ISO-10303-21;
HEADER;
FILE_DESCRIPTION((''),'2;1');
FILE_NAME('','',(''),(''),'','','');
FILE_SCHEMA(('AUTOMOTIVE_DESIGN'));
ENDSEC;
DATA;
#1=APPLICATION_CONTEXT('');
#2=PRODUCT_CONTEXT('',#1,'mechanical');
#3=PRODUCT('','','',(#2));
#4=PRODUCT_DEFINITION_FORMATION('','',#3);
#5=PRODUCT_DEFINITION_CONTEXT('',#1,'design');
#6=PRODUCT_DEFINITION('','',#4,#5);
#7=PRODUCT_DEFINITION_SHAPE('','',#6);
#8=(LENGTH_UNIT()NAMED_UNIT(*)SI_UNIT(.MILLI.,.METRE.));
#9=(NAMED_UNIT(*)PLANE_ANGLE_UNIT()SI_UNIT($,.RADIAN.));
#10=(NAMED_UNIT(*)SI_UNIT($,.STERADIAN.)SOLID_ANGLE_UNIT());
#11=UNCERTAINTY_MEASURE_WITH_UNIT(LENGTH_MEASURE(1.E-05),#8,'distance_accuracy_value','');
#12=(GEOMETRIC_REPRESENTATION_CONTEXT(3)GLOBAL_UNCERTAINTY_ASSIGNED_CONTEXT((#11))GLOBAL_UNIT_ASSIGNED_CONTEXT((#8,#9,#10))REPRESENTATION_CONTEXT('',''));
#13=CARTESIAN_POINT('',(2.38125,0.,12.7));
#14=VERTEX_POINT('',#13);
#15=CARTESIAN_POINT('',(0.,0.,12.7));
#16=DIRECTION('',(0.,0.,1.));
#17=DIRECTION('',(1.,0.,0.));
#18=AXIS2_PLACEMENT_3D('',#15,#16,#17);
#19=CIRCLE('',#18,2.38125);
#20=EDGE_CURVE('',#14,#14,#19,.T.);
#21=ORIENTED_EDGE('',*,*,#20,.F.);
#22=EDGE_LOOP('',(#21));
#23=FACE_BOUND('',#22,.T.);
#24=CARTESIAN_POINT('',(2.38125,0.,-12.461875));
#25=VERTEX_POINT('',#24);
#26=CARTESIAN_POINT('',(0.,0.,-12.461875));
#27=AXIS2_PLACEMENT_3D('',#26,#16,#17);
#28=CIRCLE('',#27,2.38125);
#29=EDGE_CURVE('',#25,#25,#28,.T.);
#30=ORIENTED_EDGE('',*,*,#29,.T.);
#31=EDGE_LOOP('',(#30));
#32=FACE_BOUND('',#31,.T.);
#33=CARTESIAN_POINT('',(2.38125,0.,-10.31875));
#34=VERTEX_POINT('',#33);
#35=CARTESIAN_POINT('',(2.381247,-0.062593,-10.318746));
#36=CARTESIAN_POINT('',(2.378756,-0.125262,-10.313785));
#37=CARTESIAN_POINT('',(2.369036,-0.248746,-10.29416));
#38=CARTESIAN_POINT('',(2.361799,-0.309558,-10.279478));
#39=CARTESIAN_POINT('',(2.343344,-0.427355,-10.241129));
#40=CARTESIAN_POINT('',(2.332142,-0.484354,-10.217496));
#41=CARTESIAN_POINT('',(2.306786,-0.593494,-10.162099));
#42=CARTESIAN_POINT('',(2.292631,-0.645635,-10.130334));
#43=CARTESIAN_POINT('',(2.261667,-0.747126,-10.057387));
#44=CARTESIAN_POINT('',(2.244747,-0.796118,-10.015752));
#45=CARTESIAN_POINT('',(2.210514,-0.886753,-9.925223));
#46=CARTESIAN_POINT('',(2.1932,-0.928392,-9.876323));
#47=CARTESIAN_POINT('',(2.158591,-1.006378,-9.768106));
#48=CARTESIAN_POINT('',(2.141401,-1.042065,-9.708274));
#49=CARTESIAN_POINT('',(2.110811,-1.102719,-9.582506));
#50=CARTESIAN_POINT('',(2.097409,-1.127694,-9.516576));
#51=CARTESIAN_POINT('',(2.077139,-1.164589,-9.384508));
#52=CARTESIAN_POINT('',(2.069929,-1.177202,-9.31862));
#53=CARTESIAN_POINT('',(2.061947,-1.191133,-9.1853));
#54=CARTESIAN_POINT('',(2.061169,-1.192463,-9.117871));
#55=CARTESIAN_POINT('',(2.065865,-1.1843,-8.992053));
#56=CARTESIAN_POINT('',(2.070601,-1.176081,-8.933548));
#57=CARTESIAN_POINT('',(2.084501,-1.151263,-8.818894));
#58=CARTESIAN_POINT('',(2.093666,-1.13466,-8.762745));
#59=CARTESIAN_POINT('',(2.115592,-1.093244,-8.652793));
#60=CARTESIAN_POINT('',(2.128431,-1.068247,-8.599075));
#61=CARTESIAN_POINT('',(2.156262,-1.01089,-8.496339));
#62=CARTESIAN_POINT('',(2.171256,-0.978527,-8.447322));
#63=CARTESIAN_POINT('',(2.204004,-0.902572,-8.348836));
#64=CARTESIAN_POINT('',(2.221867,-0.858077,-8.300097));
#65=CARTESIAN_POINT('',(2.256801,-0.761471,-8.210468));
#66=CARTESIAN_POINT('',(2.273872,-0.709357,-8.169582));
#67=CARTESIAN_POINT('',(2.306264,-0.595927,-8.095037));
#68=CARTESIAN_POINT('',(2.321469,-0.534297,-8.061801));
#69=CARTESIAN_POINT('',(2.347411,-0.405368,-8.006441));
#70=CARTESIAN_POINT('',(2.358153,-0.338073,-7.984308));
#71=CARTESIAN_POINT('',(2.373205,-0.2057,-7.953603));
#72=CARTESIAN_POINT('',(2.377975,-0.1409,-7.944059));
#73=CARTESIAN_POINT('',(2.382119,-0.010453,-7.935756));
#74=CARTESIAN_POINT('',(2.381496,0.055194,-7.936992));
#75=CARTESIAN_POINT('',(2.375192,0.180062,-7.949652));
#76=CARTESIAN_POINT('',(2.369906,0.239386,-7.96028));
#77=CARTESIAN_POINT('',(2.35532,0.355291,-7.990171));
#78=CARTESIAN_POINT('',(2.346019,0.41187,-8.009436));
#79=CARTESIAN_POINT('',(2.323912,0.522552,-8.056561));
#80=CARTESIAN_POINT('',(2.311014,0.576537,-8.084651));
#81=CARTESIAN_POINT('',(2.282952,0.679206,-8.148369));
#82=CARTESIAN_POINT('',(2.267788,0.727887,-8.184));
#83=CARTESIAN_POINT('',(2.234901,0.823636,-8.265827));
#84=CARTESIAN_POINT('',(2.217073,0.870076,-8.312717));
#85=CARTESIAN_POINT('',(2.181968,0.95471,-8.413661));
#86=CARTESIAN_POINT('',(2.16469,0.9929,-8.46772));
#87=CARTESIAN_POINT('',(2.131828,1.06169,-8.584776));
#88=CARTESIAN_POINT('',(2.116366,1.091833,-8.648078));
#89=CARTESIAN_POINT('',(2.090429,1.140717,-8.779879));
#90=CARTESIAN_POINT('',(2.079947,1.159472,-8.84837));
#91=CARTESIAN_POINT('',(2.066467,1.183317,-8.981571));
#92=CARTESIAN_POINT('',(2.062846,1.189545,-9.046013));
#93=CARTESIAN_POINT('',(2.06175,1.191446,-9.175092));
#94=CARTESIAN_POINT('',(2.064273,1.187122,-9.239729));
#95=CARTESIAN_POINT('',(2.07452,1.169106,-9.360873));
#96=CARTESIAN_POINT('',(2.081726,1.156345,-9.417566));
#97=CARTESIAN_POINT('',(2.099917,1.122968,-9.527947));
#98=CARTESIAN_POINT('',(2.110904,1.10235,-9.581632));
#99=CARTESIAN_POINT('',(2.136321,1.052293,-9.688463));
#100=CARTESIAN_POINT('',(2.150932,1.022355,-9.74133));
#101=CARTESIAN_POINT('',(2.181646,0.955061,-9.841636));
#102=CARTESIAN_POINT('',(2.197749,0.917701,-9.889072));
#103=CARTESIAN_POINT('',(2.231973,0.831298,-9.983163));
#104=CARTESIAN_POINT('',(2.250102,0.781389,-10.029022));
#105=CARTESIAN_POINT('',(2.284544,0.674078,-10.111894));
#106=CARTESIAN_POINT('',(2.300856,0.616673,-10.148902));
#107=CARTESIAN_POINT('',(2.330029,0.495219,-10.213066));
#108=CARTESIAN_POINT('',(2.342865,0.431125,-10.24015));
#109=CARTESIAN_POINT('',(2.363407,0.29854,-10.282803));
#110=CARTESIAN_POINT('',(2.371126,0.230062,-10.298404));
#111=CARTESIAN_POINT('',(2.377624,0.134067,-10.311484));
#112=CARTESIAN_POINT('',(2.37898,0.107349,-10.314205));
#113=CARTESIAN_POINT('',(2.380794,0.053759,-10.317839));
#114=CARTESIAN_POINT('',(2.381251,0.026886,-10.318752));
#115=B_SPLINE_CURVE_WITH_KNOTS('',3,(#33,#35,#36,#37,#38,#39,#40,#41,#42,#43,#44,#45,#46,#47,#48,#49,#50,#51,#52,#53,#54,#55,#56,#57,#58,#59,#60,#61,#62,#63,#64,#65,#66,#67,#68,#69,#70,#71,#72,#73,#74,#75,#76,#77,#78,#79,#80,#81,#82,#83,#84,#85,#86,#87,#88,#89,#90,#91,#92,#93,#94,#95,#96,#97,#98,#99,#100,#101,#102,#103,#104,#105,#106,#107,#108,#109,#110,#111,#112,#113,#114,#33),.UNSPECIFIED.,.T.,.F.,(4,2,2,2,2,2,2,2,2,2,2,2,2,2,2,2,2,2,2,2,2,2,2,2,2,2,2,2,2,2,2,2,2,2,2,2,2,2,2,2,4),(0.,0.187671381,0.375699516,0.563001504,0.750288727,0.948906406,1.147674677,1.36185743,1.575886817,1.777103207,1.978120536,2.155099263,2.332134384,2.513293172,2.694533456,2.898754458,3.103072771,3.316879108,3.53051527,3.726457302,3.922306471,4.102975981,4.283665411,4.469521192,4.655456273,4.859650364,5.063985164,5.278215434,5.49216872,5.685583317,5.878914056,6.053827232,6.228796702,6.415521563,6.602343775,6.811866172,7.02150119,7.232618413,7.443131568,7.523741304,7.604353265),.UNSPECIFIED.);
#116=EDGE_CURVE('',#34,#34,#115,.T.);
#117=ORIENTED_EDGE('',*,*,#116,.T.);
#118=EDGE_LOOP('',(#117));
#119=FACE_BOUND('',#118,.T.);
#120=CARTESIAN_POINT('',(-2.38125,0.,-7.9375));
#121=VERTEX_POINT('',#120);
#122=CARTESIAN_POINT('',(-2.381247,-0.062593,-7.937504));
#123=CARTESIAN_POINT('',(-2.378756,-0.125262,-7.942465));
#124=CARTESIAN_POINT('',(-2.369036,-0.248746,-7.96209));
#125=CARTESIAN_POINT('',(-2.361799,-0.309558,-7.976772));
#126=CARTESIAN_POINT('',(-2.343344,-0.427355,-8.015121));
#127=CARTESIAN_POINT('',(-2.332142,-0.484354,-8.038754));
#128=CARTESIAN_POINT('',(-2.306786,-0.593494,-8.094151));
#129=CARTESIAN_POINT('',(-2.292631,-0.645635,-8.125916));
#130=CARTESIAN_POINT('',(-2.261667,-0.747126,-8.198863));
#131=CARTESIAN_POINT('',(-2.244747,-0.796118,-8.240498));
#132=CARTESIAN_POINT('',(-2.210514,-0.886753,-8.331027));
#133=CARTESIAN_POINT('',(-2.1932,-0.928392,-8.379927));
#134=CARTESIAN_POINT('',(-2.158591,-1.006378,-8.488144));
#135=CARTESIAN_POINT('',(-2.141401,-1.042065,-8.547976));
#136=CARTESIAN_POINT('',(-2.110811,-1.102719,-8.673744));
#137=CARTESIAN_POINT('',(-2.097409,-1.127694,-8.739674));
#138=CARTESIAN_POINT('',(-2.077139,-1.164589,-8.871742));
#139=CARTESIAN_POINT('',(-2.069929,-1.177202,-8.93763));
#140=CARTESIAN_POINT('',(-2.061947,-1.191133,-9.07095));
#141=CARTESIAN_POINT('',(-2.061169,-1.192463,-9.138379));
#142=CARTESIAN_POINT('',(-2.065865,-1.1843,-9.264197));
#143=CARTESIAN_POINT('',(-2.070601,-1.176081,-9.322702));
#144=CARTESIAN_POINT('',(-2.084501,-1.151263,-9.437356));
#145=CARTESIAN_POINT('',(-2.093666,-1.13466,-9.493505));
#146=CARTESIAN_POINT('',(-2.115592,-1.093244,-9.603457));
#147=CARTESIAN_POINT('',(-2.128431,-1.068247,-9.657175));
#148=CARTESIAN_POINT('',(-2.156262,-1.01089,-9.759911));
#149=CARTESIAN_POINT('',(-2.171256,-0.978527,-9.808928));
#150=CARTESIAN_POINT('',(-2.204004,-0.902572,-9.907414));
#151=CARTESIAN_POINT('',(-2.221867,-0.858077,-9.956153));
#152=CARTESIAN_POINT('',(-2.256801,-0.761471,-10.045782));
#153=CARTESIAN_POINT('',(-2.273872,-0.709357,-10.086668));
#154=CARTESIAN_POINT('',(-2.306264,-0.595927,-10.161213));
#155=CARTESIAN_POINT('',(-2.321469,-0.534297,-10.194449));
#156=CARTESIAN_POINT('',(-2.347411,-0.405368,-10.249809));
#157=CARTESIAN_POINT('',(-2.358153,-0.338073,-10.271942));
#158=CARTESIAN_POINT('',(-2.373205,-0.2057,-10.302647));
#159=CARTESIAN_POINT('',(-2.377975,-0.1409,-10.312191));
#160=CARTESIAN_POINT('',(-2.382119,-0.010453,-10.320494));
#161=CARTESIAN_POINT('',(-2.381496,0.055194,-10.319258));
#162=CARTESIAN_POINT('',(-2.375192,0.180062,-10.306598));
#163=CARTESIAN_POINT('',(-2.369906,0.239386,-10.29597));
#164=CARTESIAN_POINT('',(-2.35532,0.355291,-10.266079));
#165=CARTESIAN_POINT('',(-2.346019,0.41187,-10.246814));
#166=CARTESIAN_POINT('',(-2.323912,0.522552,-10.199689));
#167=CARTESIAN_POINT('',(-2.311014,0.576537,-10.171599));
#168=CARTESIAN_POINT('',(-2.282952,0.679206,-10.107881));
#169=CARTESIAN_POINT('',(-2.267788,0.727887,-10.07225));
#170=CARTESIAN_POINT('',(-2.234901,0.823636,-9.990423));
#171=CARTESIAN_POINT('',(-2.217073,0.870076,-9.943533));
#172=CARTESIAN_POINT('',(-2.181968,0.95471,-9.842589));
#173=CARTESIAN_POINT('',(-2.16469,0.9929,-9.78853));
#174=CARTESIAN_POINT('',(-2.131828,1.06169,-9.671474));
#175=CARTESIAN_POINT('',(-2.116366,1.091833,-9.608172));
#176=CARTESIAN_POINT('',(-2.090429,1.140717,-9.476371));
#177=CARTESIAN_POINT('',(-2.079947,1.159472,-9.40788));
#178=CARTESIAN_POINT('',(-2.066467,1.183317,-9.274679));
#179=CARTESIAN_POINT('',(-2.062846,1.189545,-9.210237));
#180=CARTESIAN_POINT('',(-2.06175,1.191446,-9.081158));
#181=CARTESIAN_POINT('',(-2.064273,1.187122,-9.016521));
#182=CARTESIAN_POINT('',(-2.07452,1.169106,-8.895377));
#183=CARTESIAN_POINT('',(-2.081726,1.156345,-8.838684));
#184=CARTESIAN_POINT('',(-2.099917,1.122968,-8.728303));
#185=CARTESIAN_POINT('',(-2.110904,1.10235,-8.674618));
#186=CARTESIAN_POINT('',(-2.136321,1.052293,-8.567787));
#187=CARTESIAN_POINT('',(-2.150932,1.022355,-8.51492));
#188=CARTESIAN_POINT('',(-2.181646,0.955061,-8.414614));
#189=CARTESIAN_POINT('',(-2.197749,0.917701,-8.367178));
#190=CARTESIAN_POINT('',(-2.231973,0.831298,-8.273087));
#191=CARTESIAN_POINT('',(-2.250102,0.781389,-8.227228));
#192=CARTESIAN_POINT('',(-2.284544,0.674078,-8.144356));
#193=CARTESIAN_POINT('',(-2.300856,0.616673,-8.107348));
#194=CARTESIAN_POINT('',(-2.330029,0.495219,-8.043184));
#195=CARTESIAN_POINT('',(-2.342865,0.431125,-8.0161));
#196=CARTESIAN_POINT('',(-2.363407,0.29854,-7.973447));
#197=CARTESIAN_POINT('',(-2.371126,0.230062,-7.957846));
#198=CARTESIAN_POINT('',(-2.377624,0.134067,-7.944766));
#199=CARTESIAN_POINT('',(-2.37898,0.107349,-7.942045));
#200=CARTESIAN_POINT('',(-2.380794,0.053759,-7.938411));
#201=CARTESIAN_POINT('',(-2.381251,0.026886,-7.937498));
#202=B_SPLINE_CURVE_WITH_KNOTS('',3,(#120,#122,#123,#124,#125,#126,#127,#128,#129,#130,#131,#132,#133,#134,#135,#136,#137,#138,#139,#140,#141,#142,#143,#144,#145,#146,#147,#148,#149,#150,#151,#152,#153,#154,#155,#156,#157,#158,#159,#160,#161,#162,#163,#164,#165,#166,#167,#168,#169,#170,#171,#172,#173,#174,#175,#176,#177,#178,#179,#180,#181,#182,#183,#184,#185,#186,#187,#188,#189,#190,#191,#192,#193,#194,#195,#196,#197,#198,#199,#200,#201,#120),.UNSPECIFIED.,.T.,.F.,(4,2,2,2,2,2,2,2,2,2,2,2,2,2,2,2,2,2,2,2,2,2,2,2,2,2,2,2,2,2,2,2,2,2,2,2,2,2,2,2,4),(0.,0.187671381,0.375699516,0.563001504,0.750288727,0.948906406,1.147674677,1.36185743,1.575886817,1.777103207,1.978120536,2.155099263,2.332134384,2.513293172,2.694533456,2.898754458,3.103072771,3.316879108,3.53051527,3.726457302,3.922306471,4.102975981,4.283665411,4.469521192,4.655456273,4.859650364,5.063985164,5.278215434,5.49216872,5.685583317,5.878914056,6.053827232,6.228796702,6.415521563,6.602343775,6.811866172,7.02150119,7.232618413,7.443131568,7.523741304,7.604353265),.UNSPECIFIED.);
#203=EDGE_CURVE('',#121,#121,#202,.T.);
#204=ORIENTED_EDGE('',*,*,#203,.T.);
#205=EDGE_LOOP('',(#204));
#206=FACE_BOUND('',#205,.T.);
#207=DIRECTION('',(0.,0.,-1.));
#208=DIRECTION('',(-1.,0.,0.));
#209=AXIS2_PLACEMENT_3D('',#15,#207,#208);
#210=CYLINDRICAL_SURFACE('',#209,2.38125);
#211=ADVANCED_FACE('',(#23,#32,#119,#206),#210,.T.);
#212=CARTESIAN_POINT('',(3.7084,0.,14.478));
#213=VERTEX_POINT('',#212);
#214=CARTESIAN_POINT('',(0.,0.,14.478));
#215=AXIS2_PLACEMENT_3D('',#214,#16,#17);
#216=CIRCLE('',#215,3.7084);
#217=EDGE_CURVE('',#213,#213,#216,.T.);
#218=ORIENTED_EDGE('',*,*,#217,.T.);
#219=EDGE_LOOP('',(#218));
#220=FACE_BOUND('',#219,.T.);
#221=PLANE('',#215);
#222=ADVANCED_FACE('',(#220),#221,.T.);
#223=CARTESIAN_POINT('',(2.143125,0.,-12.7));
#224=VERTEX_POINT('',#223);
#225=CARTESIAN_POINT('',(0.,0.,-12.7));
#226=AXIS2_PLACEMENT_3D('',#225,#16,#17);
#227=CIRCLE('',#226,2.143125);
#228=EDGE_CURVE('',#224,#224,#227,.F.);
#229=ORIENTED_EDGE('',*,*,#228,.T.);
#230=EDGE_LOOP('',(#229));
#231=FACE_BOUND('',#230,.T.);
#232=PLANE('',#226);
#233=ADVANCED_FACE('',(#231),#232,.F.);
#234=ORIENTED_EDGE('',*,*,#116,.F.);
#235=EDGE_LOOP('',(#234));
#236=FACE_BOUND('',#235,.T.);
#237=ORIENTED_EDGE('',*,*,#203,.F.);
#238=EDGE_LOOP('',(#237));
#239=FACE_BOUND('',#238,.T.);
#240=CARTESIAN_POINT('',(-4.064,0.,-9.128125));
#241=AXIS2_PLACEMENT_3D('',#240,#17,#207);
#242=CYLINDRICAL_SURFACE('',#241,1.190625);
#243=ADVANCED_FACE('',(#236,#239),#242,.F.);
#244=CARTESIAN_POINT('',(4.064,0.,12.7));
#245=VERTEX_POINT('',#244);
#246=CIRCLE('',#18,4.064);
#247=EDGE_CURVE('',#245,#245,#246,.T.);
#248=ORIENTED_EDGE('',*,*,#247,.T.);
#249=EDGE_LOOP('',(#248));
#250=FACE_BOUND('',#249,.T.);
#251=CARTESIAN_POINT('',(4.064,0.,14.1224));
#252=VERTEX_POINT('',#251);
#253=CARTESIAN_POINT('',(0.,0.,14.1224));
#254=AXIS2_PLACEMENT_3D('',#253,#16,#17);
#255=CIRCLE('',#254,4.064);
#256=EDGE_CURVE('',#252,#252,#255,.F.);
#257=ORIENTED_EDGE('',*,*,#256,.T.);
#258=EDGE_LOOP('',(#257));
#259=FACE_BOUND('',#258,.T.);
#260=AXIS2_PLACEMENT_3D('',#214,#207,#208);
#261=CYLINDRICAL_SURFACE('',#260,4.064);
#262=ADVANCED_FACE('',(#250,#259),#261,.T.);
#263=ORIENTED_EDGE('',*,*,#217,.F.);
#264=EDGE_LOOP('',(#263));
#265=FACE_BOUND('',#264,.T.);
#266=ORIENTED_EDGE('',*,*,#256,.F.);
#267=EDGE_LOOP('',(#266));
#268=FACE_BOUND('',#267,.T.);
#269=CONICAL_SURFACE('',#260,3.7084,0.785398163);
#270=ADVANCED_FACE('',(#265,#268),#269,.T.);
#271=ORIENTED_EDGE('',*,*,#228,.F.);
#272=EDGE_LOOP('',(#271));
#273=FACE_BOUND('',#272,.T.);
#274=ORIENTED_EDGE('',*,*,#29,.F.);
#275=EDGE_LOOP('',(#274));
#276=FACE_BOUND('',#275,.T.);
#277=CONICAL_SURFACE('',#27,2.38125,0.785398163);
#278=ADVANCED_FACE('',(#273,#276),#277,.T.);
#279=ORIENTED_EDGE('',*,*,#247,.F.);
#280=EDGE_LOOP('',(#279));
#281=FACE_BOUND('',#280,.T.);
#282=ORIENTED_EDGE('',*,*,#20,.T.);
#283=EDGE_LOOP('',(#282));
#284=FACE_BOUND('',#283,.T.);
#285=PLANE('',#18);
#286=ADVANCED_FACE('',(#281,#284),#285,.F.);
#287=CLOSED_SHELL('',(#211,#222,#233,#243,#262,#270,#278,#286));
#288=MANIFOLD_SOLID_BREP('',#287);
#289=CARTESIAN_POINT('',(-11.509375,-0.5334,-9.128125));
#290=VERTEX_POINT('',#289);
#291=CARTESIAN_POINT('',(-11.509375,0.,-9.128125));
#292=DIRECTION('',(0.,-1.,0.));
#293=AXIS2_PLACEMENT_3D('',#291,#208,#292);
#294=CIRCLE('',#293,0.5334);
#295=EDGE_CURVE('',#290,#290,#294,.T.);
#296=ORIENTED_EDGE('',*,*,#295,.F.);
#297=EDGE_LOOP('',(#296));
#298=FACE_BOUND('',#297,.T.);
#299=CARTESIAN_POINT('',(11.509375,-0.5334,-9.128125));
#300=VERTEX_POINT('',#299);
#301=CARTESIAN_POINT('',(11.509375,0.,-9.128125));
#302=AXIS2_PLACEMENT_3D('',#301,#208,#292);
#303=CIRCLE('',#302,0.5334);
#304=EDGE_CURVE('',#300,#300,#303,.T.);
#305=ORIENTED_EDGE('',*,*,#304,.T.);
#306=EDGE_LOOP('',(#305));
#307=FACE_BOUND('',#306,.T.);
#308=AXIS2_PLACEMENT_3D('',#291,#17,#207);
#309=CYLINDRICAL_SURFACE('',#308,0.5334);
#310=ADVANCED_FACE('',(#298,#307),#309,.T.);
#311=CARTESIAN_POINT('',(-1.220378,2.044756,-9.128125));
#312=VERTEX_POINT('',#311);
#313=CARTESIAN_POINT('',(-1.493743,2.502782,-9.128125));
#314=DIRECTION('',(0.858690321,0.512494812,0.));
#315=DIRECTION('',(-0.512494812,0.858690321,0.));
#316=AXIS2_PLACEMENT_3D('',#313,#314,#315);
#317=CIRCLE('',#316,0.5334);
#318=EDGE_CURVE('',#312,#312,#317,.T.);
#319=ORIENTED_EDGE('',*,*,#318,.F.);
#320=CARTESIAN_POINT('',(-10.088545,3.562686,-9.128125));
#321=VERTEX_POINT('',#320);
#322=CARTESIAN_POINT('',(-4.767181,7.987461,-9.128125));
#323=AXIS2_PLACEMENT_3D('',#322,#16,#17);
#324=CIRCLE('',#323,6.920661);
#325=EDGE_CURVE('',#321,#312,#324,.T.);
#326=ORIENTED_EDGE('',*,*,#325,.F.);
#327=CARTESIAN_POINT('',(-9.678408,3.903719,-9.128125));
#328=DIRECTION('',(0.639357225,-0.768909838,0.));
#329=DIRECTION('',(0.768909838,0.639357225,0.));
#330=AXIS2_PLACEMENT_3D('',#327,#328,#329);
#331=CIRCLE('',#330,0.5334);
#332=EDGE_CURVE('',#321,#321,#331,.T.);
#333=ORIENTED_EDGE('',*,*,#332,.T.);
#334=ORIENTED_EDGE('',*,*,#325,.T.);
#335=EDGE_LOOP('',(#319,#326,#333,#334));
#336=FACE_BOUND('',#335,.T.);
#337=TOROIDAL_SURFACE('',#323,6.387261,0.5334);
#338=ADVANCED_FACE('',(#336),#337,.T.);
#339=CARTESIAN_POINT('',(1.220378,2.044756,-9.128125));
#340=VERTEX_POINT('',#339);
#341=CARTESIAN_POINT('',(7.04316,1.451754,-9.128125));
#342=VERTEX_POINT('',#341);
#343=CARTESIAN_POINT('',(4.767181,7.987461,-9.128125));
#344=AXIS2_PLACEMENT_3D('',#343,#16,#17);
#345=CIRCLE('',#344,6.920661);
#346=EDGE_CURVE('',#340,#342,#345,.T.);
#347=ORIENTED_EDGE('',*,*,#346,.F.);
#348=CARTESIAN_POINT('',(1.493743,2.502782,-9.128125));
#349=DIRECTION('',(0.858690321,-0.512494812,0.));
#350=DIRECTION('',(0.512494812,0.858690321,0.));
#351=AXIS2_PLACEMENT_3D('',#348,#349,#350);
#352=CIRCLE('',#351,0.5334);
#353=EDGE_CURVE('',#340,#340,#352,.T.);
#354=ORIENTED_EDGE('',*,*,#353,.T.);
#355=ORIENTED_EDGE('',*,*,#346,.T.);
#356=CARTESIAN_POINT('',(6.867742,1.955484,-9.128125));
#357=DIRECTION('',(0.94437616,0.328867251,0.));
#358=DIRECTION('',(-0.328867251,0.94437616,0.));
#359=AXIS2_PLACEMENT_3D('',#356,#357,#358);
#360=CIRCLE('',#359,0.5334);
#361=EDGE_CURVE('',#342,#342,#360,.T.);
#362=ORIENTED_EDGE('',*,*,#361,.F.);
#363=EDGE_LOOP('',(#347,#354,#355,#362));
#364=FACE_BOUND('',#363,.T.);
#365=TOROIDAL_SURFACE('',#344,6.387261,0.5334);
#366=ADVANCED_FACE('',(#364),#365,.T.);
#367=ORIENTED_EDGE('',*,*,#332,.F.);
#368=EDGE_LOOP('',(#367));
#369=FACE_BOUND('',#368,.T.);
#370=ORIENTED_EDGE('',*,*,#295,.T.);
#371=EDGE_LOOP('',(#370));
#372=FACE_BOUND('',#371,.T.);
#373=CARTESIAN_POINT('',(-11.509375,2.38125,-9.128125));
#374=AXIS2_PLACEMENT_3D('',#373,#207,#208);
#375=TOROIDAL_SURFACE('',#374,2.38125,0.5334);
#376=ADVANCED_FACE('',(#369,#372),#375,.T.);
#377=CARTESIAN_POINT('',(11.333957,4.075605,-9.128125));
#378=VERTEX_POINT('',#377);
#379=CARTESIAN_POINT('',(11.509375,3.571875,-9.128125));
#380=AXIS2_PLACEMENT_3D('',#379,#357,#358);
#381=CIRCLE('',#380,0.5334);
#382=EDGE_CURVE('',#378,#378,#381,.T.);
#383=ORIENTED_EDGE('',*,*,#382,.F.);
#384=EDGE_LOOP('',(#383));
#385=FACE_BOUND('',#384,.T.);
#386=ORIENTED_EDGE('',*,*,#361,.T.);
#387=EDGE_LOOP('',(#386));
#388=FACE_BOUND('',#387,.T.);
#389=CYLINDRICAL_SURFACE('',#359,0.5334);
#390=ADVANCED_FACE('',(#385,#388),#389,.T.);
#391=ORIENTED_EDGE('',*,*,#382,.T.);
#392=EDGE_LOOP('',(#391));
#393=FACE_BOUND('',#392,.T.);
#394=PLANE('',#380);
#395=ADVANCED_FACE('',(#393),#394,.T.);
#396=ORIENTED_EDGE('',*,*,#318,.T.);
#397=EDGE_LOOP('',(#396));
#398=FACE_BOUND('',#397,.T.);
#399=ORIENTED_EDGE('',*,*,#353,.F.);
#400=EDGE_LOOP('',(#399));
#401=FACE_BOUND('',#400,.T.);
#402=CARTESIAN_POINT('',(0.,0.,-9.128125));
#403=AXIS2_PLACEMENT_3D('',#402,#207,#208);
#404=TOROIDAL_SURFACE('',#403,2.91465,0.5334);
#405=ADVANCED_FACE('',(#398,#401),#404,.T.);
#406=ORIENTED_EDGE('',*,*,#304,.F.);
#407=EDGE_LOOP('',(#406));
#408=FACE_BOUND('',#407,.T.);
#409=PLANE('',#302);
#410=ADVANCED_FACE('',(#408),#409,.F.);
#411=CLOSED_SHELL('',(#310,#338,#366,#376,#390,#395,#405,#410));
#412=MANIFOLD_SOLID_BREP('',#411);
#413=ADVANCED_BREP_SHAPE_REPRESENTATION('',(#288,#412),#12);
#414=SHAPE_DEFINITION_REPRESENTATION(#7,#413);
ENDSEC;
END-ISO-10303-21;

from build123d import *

# Parameters (mm, degrees)
SKETCH1_R           = 2.38125
EXTRUDE1_DEPTH      = 12.7
SKETCH2_R           = 4.064
EXTRUDE2_DEPTH      = 1.778
CHAMFER1_SIZE       = 0.3556
SKETCH3_R           = 1.190625
EXTRUDE3_DEPTH      = 5.064
EXTRUDE3_DEPTH_BACK = 5.064
CHAMFER2_SIZE       = 0.238125
SKETCH7_R           = 0.5334


with BuildPart() as part:
    # Sketch1 → Extrude1 (new body, symmetric)
    with BuildSketch(Plane.XY):
        Circle(SKETCH1_R)
    extrude(amount=EXTRUDE1_DEPTH, both=True)

    # Sketch2 → Extrude2 (add)
    with BuildSketch(Plane.XY.offset(12.7)):
        Circle(SKETCH2_R)
    extrude(amount=EXTRUDE2_DEPTH)

    # Chamfer1
    chamfer1_edges = [part.edges().sort_by_distance(p)[0] for p in [
        (-4.064, 0, 14.478),
    ]]
    chamfer(chamfer1_edges, length=CHAMFER1_SIZE)

    # Sketch3 → Extrude3 (cut, two sides)
    with BuildSketch(Plane(origin=(0, 0, 0), x_dir=(0, 0, -1), z_dir=(1, 0, 0))) as extrude3_sk:
        with Locations((9.128125, 0)):
            Circle(SKETCH3_R)
    extrude(amount=EXTRUDE3_DEPTH, mode=Mode.SUBTRACT)
    extrude(extrude3_sk.sketch, amount=-EXTRUDE3_DEPTH_BACK, mode=Mode.SUBTRACT)

    # Chamfer2
    chamfer2_edges = [part.edges().sort_by_distance(p)[0] for p in [
        (-2.38125, 0, -12.7),
    ]]
    chamfer(chamfer2_edges, length=CHAMFER2_SIZE)


with BuildPart() as body_2:
    # Sweep1: sweep along a path in Sketch6
    with BuildLine(Plane.XY.offset(-9.128125)) as sweep1_path:
        Line((11.509375, 0), (-11.509375, 0))
        ThreePointArc((-11.509375, 0), (-13.665265976, 3.392430331), (-9.678408448, 3.903719392))
        ThreePointArc((-9.678408448, 3.903719392), (-5.844791833, 1.691759471), (-1.493743003, 2.502781745))
        ThreePointArc((-1.493743003, 2.502781745), (0, 2.91465), (1.493743003, 2.502781745))
        ThreePointArc((1.493743003, 2.502781745), (4.120038067, 1.633068096), (6.867741763, 1.955483963))
        Line((6.867741763, 1.955483963), (11.509375, 3.571875))
    # Sketch7 → Sweep1 (sweep)
    with BuildSketch(Plane(origin=(11.509375, 0, -9.128125), x_dir=(0, 0, 1), z_dir=(-1, 0, 0))):
        Circle(SKETCH7_R)
    sweep(path=sweep1_path.line)


solid = Compound([part.part, body_2.part])
